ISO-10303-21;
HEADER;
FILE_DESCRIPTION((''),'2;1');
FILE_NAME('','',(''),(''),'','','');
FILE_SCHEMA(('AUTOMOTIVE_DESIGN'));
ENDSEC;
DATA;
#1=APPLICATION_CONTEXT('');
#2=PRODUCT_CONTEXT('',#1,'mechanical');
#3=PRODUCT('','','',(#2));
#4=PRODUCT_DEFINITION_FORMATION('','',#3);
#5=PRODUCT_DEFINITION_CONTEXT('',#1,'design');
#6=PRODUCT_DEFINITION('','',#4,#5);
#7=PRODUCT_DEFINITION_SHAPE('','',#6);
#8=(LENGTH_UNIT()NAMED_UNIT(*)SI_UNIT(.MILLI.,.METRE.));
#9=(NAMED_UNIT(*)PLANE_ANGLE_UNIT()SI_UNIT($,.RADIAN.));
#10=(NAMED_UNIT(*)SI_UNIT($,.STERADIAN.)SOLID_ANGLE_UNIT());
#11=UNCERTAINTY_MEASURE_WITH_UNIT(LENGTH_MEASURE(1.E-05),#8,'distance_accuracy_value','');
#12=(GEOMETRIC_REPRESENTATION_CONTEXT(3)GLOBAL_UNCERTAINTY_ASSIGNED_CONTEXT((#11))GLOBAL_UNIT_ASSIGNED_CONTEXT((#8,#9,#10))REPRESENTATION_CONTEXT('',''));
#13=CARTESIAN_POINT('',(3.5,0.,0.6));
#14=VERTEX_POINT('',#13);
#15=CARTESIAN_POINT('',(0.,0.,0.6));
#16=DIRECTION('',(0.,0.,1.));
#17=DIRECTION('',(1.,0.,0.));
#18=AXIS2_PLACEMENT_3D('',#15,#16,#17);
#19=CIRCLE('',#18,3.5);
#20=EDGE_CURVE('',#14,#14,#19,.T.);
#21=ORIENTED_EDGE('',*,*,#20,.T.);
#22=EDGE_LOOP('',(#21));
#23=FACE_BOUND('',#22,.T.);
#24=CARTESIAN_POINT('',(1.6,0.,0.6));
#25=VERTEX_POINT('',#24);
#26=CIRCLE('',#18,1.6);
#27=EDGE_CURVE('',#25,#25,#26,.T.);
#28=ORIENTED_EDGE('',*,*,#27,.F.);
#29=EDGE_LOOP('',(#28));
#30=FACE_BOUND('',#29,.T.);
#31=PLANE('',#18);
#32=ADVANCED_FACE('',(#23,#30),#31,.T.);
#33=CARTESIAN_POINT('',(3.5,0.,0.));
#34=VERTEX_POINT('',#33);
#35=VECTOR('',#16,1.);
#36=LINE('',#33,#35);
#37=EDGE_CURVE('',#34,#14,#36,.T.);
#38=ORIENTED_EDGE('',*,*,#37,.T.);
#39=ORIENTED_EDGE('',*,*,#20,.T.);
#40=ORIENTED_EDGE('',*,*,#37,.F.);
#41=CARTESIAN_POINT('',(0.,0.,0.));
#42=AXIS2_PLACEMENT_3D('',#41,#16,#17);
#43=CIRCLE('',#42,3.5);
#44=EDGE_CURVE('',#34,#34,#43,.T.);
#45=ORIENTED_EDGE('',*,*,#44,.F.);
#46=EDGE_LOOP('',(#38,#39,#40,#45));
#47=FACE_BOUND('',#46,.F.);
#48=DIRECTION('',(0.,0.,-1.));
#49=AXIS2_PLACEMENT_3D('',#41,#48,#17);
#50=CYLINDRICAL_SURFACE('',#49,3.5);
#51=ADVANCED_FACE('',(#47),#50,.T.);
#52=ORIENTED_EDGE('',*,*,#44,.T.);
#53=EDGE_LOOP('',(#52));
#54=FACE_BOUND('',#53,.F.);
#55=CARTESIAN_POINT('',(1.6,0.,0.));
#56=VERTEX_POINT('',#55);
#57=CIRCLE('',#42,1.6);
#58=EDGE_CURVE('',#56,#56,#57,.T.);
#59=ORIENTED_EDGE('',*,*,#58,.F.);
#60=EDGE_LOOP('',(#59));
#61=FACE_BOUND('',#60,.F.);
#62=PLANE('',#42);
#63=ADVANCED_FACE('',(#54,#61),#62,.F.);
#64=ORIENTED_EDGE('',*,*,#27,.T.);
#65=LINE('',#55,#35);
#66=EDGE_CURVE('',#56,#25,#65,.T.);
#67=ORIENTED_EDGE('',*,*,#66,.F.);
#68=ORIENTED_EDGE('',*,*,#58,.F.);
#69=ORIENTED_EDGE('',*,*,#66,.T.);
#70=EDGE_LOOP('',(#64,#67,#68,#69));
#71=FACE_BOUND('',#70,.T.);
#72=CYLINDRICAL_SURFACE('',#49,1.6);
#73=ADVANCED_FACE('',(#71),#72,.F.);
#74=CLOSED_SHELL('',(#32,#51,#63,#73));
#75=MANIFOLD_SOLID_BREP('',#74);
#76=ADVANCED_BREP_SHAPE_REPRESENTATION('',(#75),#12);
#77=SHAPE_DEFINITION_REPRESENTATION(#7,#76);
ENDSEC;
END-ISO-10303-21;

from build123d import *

# Parameters (mm, degrees)
SKETCH1_R           = 3.5
SKETCH1_R_2         = 1.6
BOSS_EXTRUDE1_DEPTH = 0.6


with BuildPart() as part:
    # Sketch1 → Boss-Extrude1 (new body)
    with BuildSketch(Plane.XY):
        Circle(SKETCH1_R)
        Circle(SKETCH1_R_2, mode=Mode.SUBTRACT)
    extrude(amount=BOSS_EXTRUDE1_DEPTH)


solid = part.part
